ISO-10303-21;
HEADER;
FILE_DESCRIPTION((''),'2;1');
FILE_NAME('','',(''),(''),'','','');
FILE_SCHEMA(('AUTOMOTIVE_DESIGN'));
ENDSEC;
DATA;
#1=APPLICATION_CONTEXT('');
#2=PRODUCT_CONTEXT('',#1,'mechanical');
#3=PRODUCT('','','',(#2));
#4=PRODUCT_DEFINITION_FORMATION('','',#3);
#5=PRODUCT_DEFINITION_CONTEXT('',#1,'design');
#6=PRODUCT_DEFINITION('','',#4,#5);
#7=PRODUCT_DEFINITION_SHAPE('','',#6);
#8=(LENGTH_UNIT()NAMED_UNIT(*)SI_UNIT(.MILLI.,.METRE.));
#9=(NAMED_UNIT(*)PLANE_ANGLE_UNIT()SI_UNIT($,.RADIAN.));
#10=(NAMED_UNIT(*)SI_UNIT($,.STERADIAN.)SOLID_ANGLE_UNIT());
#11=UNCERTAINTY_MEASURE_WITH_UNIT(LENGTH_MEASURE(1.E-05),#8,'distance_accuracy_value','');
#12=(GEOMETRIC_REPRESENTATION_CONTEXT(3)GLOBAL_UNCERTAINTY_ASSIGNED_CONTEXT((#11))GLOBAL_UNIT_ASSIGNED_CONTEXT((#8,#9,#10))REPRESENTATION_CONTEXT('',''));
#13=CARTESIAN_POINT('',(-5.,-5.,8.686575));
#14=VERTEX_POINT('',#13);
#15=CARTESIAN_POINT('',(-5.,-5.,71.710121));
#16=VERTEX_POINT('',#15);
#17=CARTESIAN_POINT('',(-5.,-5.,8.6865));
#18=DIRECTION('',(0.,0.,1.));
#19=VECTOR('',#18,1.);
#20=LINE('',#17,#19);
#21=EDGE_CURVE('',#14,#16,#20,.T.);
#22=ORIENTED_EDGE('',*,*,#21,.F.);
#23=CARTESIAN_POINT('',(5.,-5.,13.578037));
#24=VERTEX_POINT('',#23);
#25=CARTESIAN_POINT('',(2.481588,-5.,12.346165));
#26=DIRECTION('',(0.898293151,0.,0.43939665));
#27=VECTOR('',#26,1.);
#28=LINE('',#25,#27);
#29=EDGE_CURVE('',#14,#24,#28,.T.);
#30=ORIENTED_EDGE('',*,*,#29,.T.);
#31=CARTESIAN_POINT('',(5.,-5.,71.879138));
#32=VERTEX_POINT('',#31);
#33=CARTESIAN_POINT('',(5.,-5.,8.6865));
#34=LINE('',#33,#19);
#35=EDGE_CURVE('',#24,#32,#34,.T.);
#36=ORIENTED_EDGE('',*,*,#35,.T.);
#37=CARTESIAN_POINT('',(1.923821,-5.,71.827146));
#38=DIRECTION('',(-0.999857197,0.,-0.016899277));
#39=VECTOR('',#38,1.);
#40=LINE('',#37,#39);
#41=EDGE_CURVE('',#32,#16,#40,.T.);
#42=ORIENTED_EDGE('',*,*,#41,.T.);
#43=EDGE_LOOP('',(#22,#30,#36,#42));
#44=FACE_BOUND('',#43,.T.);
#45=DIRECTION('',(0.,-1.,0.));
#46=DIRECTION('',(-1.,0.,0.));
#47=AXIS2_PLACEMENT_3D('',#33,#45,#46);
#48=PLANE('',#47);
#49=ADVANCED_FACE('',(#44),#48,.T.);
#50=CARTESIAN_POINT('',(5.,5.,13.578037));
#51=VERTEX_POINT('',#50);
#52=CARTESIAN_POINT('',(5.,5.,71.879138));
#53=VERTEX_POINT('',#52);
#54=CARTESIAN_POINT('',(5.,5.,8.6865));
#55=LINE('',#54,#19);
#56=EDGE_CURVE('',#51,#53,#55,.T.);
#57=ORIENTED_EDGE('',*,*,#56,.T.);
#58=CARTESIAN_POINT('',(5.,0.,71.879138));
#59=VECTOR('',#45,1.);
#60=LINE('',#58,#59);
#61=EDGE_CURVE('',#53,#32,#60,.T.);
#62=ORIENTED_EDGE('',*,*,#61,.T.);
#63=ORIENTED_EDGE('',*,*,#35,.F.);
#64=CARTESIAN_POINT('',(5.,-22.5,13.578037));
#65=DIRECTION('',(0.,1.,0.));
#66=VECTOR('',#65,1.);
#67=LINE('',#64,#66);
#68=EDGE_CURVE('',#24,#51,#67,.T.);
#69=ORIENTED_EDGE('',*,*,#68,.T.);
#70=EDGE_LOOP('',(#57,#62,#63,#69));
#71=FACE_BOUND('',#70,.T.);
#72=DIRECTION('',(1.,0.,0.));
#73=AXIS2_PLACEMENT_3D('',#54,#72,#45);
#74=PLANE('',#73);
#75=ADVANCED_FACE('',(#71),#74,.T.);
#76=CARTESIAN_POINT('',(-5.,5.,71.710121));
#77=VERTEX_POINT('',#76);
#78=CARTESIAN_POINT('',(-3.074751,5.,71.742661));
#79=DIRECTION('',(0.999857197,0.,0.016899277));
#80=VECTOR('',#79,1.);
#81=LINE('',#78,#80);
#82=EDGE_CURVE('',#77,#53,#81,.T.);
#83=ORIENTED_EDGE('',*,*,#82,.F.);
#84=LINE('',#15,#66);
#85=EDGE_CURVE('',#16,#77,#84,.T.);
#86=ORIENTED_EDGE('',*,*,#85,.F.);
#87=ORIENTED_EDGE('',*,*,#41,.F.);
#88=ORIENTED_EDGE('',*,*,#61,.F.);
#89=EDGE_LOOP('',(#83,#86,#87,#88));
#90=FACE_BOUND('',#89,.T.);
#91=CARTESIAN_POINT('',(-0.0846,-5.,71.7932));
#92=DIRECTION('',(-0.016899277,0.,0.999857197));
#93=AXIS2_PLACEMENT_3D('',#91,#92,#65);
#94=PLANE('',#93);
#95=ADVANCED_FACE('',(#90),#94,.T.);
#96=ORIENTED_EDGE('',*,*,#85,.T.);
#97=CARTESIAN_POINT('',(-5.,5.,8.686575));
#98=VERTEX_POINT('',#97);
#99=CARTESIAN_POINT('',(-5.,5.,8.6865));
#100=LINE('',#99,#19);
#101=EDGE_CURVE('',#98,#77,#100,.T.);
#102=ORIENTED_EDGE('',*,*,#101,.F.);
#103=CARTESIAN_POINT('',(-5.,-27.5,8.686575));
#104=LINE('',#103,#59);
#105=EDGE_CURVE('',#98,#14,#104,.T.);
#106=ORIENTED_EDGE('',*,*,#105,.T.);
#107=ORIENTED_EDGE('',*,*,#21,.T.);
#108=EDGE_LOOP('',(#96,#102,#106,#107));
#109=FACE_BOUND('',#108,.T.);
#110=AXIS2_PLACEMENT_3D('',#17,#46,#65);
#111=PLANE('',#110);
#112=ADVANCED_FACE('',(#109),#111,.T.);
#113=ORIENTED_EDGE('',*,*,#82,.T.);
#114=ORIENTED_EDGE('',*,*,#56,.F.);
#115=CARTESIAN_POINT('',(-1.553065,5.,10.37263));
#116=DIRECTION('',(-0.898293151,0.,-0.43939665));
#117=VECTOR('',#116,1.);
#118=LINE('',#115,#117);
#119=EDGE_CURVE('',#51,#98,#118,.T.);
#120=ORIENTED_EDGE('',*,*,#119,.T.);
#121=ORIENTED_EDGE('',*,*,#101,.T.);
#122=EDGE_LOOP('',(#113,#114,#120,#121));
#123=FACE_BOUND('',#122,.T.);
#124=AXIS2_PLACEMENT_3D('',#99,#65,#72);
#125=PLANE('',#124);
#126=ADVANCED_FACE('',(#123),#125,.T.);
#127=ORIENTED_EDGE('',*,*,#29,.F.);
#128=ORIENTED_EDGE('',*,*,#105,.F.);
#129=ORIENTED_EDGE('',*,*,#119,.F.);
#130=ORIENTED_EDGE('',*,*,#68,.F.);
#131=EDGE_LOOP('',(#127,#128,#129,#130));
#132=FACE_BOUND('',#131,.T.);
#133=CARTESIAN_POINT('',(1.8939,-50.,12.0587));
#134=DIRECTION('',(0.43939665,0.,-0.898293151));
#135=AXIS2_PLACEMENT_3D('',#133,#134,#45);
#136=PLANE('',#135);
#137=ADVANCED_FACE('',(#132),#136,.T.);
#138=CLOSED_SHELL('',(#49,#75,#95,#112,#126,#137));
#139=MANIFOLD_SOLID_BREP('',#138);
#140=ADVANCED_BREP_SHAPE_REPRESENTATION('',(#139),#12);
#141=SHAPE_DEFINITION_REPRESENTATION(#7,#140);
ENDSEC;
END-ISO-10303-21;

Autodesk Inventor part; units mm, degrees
ref_plane "Start Plane" through (0, 0, 8.6865) normal (0, 0, 1) x (1, 0, 0)
ref_plane "End Plane" through (0, 0, 71.8792) normal (0, 0, 1) x (1, 0, 0)
sketch "Sketch" plane through (0, 0, 0) normal (0, 0, 1) x (1, 0, 0)
  line L0 (5, -5) -> (-5, -5)
  line L1 (-5, -5) -> (-5, 5)
  line L2 (-5, 5) -> (5, 5)
  line L3 (5, 5) -> (5, -5)
  line L4 (-6, 0) -> (8, 0) construction
  line L5 (0, -30) -> (0, 40) construction
  line L6 (0, 54) -> (0, -44) construction
  line L7 (-9.2, 0) -> (13.2, 0) construction
  dimension "d0" = 10
  dimension "d1" = 10
  dimension "d4" = 5
  dimension "d5" = 5
extrude "Body" add sketch "Sketch" along normal up to surface (63.1927 mm away) from surface at 8.6865
sketch "Sketch3" plane through (0, 0, 0) normal (0, 0, 1) x (1, 0, 0)
  line L0 (0, 0) -> (10, 0)
ref_plane "Work Plane3" through (0, 0, 0) normal (0, -1, 0) x (1, 0, 0)
sketch "Sketch4" plane through (0, 0, 0) normal (0, -1, 0) x (1, 0, 0)
  line L0 (-2, 8.6865) -> (12, 8.6865)
  line L1 (-2, 71.8792) -> (12, 71.8792)
  dimension "d9" = 63.1927
ref_plane "Work Plane5" through (1.8939, -50, 12.0587) normal (0.4394, 0, -0.8983) x (-0.8983, 0, -0.4394)
split "Split2" plane through (1.8939, -50, 12.0587) removes the side toward (0.4394, 0, -0.8983)
ref_plane "Work Plane9" through (-0.0846, -5, 71.7932) normal (-0.0169, 0, 0.9999) x (0.9999, 0, 0.0169)
split "Split6" plane through (-0.0846, -5, 71.7932) removes the side toward (-0.0169, 0, 0.9999)
equation "\"d0\" = G_W"
equation "\"d1\" = G_H"
equation "\"d4\" = 0.5 * d1"
equation "\"d5\" = 0.5 * d0"
equation "\"d2\" = G_L"
equation "\"G_W\" = 10"
equation "\"G_H\" = 10"
equation "\"G_L\" = d9"
equation "\"G_OFFSET_START\" = -8.68648"
equation "\"G_OFFSET_END\" = 5.0853"
equation "\"d6\" = -G_OFFSET_START"
equation "\"d7\" = G_OFFSET_END + B_L"
equation "\"B_L\" = 66.7939"
properties part number "ISO 1035/2 - 10 x 10 - 63.19" material "Steel, Mild"
